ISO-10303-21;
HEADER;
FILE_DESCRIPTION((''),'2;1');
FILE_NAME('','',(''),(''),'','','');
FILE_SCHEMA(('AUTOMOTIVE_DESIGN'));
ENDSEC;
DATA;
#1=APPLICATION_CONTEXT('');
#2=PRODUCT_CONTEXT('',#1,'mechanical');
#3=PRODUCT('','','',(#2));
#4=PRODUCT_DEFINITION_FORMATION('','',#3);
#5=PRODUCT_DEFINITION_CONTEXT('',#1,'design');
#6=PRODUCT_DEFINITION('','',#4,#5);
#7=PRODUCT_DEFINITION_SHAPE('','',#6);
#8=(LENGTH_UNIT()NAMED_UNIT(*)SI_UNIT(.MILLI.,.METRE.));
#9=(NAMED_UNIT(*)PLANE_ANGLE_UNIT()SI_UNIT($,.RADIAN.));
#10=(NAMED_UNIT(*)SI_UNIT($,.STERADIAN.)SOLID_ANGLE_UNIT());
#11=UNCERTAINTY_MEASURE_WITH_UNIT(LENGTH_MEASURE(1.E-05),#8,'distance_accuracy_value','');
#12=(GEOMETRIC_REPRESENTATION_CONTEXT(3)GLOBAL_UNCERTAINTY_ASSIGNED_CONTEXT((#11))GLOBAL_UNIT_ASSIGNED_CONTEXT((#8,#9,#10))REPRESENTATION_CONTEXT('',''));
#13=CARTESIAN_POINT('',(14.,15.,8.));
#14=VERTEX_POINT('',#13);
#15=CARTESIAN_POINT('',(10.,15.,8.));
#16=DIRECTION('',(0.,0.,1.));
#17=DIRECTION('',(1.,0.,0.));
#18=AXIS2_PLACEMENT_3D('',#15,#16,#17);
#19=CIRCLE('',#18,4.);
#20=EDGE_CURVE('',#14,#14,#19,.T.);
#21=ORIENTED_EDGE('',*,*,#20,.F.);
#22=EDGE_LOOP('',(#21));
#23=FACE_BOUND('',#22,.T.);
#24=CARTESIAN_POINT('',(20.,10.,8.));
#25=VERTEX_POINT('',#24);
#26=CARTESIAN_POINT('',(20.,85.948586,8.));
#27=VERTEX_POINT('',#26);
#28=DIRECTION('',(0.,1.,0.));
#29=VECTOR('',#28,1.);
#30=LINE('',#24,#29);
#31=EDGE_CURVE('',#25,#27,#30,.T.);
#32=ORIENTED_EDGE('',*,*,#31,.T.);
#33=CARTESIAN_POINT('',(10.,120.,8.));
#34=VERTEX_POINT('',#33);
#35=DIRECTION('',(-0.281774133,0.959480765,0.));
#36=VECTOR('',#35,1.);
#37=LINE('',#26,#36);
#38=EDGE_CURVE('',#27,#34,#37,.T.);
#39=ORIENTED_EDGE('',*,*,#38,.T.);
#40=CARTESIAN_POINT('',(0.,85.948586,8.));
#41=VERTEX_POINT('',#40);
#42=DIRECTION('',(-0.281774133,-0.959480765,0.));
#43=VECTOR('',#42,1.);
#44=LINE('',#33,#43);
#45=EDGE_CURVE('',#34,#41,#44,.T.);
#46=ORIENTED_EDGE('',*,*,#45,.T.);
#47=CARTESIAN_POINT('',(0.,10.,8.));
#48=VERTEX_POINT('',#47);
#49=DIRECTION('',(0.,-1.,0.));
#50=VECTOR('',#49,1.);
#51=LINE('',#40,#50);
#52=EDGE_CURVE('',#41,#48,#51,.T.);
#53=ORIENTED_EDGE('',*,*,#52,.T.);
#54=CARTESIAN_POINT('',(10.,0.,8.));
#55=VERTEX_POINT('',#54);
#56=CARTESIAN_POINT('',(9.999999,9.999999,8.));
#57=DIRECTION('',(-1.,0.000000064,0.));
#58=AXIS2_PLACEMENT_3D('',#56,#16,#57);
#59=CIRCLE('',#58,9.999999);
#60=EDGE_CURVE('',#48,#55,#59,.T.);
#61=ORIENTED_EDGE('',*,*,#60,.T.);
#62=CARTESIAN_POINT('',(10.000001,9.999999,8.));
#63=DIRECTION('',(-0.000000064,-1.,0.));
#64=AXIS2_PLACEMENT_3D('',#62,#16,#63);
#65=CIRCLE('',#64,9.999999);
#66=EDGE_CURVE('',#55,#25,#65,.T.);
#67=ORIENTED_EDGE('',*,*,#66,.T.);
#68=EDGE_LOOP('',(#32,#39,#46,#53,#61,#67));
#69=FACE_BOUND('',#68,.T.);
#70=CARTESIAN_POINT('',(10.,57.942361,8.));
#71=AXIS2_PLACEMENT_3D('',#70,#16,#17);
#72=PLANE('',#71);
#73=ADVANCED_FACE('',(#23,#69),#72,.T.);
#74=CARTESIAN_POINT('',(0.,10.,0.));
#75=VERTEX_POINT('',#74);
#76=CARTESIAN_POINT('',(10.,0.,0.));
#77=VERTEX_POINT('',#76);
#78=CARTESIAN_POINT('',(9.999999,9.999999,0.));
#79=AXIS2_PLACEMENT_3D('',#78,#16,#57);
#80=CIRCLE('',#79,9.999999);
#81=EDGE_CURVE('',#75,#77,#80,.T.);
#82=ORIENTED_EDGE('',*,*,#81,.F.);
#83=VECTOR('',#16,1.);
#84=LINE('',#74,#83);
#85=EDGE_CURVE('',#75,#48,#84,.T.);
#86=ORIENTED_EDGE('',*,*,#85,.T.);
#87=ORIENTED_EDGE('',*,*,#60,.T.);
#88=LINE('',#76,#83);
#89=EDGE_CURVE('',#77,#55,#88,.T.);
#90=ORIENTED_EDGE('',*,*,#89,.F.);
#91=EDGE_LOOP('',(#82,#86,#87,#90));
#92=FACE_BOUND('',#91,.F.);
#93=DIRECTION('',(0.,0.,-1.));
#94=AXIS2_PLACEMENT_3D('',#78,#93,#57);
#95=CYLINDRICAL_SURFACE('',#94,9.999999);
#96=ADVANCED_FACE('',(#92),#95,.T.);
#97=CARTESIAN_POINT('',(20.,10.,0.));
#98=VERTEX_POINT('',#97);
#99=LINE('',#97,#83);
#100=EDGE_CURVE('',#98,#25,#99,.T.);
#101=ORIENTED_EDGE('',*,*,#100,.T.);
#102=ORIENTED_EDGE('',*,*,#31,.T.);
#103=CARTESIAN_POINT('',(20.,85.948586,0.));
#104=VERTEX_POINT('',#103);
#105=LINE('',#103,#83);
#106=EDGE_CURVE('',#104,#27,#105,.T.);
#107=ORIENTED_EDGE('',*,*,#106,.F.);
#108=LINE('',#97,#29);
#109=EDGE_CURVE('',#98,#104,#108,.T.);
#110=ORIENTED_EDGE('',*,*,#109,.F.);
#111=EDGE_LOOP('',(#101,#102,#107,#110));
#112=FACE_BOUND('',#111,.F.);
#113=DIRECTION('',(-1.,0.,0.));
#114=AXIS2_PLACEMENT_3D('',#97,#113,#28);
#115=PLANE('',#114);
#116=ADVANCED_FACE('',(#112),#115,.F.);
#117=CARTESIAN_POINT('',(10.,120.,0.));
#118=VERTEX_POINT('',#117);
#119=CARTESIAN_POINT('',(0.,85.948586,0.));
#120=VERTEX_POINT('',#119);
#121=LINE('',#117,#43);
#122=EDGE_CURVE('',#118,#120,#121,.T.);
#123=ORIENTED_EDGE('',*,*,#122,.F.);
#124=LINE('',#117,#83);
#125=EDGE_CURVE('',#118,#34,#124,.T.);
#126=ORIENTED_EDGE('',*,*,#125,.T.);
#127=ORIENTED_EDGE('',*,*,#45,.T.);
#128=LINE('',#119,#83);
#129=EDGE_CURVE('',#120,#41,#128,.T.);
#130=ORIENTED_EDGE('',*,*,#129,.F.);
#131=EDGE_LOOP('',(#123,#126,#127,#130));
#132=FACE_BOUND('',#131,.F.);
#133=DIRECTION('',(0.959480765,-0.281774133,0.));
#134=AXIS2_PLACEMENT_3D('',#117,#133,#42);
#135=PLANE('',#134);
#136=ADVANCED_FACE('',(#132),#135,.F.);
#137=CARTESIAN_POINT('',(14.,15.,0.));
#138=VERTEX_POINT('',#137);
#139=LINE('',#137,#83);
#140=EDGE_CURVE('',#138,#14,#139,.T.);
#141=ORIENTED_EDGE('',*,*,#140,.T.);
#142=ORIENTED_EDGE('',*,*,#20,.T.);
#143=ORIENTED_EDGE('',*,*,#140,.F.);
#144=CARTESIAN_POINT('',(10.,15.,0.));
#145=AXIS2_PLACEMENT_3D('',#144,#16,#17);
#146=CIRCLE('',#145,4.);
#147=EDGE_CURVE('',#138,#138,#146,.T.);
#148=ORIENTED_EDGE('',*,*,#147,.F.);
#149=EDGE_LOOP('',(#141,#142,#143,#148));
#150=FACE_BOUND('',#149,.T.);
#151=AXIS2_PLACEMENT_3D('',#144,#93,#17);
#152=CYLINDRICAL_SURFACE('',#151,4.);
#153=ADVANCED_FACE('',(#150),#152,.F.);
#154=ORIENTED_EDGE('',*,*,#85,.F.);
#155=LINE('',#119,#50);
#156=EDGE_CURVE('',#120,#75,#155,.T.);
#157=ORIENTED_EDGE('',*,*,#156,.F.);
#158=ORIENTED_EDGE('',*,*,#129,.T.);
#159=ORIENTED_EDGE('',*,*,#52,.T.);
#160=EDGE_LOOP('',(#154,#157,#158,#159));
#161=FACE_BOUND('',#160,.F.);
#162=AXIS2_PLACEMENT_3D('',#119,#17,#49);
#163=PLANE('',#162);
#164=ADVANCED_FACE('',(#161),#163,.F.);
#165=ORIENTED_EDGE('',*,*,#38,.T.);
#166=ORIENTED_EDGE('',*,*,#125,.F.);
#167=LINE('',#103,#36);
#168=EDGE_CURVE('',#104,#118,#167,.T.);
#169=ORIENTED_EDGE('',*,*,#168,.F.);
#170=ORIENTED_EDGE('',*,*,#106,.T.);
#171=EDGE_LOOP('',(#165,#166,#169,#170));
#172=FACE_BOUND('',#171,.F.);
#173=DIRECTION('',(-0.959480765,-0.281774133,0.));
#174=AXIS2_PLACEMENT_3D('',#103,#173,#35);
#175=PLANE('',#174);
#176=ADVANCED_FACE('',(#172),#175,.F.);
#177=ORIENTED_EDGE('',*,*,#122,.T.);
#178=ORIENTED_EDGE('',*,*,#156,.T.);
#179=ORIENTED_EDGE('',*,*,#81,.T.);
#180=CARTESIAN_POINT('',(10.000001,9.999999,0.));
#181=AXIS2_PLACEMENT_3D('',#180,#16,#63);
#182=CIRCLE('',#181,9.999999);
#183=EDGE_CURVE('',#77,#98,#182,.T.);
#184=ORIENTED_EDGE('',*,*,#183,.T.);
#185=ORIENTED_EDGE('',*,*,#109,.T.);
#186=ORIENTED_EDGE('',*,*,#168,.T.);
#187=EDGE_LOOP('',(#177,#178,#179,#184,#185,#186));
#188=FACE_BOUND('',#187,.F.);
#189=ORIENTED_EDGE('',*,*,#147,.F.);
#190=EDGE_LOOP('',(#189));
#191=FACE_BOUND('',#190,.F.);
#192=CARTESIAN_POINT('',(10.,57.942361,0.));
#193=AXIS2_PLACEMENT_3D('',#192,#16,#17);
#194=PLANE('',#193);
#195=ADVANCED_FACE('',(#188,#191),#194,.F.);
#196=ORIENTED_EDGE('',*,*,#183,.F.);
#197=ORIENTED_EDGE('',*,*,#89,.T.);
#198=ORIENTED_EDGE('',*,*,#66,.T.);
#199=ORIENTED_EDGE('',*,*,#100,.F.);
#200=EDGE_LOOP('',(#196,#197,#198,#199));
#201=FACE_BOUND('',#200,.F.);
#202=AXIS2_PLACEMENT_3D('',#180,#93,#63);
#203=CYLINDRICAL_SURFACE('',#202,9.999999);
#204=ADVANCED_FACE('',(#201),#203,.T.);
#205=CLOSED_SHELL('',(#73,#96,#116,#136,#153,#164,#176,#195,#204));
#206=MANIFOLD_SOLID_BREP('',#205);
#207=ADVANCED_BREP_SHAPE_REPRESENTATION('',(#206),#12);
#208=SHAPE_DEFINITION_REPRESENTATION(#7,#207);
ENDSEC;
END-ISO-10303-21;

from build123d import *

# Parameters (mm, degrees)
F0_R     = 4
F1_DEPTH = 8


with BuildPart() as f1:
    # F0 (on Top) → F1 (new body)
    with BuildSketch(Plane.XY):
        with BuildLine():
            Line((0, 85.948586), (0, 10))
            ThreePointArc((0, 10), (2.928932, 2.928932), (10, 0))
            ThreePointArc((10, 0), (17.071068, 2.928932), (20, 10))
            Line((20, 10), (20, 85.948586))
            Line((20, 85.948586), (10, 120))
            Line((10, 120), (0, 85.948586))
        make_face()
        with Locations((10, 15)):
            Circle(F0_R, mode=Mode.SUBTRACT)
    extrude(amount=F1_DEPTH)


solid = f1.part
